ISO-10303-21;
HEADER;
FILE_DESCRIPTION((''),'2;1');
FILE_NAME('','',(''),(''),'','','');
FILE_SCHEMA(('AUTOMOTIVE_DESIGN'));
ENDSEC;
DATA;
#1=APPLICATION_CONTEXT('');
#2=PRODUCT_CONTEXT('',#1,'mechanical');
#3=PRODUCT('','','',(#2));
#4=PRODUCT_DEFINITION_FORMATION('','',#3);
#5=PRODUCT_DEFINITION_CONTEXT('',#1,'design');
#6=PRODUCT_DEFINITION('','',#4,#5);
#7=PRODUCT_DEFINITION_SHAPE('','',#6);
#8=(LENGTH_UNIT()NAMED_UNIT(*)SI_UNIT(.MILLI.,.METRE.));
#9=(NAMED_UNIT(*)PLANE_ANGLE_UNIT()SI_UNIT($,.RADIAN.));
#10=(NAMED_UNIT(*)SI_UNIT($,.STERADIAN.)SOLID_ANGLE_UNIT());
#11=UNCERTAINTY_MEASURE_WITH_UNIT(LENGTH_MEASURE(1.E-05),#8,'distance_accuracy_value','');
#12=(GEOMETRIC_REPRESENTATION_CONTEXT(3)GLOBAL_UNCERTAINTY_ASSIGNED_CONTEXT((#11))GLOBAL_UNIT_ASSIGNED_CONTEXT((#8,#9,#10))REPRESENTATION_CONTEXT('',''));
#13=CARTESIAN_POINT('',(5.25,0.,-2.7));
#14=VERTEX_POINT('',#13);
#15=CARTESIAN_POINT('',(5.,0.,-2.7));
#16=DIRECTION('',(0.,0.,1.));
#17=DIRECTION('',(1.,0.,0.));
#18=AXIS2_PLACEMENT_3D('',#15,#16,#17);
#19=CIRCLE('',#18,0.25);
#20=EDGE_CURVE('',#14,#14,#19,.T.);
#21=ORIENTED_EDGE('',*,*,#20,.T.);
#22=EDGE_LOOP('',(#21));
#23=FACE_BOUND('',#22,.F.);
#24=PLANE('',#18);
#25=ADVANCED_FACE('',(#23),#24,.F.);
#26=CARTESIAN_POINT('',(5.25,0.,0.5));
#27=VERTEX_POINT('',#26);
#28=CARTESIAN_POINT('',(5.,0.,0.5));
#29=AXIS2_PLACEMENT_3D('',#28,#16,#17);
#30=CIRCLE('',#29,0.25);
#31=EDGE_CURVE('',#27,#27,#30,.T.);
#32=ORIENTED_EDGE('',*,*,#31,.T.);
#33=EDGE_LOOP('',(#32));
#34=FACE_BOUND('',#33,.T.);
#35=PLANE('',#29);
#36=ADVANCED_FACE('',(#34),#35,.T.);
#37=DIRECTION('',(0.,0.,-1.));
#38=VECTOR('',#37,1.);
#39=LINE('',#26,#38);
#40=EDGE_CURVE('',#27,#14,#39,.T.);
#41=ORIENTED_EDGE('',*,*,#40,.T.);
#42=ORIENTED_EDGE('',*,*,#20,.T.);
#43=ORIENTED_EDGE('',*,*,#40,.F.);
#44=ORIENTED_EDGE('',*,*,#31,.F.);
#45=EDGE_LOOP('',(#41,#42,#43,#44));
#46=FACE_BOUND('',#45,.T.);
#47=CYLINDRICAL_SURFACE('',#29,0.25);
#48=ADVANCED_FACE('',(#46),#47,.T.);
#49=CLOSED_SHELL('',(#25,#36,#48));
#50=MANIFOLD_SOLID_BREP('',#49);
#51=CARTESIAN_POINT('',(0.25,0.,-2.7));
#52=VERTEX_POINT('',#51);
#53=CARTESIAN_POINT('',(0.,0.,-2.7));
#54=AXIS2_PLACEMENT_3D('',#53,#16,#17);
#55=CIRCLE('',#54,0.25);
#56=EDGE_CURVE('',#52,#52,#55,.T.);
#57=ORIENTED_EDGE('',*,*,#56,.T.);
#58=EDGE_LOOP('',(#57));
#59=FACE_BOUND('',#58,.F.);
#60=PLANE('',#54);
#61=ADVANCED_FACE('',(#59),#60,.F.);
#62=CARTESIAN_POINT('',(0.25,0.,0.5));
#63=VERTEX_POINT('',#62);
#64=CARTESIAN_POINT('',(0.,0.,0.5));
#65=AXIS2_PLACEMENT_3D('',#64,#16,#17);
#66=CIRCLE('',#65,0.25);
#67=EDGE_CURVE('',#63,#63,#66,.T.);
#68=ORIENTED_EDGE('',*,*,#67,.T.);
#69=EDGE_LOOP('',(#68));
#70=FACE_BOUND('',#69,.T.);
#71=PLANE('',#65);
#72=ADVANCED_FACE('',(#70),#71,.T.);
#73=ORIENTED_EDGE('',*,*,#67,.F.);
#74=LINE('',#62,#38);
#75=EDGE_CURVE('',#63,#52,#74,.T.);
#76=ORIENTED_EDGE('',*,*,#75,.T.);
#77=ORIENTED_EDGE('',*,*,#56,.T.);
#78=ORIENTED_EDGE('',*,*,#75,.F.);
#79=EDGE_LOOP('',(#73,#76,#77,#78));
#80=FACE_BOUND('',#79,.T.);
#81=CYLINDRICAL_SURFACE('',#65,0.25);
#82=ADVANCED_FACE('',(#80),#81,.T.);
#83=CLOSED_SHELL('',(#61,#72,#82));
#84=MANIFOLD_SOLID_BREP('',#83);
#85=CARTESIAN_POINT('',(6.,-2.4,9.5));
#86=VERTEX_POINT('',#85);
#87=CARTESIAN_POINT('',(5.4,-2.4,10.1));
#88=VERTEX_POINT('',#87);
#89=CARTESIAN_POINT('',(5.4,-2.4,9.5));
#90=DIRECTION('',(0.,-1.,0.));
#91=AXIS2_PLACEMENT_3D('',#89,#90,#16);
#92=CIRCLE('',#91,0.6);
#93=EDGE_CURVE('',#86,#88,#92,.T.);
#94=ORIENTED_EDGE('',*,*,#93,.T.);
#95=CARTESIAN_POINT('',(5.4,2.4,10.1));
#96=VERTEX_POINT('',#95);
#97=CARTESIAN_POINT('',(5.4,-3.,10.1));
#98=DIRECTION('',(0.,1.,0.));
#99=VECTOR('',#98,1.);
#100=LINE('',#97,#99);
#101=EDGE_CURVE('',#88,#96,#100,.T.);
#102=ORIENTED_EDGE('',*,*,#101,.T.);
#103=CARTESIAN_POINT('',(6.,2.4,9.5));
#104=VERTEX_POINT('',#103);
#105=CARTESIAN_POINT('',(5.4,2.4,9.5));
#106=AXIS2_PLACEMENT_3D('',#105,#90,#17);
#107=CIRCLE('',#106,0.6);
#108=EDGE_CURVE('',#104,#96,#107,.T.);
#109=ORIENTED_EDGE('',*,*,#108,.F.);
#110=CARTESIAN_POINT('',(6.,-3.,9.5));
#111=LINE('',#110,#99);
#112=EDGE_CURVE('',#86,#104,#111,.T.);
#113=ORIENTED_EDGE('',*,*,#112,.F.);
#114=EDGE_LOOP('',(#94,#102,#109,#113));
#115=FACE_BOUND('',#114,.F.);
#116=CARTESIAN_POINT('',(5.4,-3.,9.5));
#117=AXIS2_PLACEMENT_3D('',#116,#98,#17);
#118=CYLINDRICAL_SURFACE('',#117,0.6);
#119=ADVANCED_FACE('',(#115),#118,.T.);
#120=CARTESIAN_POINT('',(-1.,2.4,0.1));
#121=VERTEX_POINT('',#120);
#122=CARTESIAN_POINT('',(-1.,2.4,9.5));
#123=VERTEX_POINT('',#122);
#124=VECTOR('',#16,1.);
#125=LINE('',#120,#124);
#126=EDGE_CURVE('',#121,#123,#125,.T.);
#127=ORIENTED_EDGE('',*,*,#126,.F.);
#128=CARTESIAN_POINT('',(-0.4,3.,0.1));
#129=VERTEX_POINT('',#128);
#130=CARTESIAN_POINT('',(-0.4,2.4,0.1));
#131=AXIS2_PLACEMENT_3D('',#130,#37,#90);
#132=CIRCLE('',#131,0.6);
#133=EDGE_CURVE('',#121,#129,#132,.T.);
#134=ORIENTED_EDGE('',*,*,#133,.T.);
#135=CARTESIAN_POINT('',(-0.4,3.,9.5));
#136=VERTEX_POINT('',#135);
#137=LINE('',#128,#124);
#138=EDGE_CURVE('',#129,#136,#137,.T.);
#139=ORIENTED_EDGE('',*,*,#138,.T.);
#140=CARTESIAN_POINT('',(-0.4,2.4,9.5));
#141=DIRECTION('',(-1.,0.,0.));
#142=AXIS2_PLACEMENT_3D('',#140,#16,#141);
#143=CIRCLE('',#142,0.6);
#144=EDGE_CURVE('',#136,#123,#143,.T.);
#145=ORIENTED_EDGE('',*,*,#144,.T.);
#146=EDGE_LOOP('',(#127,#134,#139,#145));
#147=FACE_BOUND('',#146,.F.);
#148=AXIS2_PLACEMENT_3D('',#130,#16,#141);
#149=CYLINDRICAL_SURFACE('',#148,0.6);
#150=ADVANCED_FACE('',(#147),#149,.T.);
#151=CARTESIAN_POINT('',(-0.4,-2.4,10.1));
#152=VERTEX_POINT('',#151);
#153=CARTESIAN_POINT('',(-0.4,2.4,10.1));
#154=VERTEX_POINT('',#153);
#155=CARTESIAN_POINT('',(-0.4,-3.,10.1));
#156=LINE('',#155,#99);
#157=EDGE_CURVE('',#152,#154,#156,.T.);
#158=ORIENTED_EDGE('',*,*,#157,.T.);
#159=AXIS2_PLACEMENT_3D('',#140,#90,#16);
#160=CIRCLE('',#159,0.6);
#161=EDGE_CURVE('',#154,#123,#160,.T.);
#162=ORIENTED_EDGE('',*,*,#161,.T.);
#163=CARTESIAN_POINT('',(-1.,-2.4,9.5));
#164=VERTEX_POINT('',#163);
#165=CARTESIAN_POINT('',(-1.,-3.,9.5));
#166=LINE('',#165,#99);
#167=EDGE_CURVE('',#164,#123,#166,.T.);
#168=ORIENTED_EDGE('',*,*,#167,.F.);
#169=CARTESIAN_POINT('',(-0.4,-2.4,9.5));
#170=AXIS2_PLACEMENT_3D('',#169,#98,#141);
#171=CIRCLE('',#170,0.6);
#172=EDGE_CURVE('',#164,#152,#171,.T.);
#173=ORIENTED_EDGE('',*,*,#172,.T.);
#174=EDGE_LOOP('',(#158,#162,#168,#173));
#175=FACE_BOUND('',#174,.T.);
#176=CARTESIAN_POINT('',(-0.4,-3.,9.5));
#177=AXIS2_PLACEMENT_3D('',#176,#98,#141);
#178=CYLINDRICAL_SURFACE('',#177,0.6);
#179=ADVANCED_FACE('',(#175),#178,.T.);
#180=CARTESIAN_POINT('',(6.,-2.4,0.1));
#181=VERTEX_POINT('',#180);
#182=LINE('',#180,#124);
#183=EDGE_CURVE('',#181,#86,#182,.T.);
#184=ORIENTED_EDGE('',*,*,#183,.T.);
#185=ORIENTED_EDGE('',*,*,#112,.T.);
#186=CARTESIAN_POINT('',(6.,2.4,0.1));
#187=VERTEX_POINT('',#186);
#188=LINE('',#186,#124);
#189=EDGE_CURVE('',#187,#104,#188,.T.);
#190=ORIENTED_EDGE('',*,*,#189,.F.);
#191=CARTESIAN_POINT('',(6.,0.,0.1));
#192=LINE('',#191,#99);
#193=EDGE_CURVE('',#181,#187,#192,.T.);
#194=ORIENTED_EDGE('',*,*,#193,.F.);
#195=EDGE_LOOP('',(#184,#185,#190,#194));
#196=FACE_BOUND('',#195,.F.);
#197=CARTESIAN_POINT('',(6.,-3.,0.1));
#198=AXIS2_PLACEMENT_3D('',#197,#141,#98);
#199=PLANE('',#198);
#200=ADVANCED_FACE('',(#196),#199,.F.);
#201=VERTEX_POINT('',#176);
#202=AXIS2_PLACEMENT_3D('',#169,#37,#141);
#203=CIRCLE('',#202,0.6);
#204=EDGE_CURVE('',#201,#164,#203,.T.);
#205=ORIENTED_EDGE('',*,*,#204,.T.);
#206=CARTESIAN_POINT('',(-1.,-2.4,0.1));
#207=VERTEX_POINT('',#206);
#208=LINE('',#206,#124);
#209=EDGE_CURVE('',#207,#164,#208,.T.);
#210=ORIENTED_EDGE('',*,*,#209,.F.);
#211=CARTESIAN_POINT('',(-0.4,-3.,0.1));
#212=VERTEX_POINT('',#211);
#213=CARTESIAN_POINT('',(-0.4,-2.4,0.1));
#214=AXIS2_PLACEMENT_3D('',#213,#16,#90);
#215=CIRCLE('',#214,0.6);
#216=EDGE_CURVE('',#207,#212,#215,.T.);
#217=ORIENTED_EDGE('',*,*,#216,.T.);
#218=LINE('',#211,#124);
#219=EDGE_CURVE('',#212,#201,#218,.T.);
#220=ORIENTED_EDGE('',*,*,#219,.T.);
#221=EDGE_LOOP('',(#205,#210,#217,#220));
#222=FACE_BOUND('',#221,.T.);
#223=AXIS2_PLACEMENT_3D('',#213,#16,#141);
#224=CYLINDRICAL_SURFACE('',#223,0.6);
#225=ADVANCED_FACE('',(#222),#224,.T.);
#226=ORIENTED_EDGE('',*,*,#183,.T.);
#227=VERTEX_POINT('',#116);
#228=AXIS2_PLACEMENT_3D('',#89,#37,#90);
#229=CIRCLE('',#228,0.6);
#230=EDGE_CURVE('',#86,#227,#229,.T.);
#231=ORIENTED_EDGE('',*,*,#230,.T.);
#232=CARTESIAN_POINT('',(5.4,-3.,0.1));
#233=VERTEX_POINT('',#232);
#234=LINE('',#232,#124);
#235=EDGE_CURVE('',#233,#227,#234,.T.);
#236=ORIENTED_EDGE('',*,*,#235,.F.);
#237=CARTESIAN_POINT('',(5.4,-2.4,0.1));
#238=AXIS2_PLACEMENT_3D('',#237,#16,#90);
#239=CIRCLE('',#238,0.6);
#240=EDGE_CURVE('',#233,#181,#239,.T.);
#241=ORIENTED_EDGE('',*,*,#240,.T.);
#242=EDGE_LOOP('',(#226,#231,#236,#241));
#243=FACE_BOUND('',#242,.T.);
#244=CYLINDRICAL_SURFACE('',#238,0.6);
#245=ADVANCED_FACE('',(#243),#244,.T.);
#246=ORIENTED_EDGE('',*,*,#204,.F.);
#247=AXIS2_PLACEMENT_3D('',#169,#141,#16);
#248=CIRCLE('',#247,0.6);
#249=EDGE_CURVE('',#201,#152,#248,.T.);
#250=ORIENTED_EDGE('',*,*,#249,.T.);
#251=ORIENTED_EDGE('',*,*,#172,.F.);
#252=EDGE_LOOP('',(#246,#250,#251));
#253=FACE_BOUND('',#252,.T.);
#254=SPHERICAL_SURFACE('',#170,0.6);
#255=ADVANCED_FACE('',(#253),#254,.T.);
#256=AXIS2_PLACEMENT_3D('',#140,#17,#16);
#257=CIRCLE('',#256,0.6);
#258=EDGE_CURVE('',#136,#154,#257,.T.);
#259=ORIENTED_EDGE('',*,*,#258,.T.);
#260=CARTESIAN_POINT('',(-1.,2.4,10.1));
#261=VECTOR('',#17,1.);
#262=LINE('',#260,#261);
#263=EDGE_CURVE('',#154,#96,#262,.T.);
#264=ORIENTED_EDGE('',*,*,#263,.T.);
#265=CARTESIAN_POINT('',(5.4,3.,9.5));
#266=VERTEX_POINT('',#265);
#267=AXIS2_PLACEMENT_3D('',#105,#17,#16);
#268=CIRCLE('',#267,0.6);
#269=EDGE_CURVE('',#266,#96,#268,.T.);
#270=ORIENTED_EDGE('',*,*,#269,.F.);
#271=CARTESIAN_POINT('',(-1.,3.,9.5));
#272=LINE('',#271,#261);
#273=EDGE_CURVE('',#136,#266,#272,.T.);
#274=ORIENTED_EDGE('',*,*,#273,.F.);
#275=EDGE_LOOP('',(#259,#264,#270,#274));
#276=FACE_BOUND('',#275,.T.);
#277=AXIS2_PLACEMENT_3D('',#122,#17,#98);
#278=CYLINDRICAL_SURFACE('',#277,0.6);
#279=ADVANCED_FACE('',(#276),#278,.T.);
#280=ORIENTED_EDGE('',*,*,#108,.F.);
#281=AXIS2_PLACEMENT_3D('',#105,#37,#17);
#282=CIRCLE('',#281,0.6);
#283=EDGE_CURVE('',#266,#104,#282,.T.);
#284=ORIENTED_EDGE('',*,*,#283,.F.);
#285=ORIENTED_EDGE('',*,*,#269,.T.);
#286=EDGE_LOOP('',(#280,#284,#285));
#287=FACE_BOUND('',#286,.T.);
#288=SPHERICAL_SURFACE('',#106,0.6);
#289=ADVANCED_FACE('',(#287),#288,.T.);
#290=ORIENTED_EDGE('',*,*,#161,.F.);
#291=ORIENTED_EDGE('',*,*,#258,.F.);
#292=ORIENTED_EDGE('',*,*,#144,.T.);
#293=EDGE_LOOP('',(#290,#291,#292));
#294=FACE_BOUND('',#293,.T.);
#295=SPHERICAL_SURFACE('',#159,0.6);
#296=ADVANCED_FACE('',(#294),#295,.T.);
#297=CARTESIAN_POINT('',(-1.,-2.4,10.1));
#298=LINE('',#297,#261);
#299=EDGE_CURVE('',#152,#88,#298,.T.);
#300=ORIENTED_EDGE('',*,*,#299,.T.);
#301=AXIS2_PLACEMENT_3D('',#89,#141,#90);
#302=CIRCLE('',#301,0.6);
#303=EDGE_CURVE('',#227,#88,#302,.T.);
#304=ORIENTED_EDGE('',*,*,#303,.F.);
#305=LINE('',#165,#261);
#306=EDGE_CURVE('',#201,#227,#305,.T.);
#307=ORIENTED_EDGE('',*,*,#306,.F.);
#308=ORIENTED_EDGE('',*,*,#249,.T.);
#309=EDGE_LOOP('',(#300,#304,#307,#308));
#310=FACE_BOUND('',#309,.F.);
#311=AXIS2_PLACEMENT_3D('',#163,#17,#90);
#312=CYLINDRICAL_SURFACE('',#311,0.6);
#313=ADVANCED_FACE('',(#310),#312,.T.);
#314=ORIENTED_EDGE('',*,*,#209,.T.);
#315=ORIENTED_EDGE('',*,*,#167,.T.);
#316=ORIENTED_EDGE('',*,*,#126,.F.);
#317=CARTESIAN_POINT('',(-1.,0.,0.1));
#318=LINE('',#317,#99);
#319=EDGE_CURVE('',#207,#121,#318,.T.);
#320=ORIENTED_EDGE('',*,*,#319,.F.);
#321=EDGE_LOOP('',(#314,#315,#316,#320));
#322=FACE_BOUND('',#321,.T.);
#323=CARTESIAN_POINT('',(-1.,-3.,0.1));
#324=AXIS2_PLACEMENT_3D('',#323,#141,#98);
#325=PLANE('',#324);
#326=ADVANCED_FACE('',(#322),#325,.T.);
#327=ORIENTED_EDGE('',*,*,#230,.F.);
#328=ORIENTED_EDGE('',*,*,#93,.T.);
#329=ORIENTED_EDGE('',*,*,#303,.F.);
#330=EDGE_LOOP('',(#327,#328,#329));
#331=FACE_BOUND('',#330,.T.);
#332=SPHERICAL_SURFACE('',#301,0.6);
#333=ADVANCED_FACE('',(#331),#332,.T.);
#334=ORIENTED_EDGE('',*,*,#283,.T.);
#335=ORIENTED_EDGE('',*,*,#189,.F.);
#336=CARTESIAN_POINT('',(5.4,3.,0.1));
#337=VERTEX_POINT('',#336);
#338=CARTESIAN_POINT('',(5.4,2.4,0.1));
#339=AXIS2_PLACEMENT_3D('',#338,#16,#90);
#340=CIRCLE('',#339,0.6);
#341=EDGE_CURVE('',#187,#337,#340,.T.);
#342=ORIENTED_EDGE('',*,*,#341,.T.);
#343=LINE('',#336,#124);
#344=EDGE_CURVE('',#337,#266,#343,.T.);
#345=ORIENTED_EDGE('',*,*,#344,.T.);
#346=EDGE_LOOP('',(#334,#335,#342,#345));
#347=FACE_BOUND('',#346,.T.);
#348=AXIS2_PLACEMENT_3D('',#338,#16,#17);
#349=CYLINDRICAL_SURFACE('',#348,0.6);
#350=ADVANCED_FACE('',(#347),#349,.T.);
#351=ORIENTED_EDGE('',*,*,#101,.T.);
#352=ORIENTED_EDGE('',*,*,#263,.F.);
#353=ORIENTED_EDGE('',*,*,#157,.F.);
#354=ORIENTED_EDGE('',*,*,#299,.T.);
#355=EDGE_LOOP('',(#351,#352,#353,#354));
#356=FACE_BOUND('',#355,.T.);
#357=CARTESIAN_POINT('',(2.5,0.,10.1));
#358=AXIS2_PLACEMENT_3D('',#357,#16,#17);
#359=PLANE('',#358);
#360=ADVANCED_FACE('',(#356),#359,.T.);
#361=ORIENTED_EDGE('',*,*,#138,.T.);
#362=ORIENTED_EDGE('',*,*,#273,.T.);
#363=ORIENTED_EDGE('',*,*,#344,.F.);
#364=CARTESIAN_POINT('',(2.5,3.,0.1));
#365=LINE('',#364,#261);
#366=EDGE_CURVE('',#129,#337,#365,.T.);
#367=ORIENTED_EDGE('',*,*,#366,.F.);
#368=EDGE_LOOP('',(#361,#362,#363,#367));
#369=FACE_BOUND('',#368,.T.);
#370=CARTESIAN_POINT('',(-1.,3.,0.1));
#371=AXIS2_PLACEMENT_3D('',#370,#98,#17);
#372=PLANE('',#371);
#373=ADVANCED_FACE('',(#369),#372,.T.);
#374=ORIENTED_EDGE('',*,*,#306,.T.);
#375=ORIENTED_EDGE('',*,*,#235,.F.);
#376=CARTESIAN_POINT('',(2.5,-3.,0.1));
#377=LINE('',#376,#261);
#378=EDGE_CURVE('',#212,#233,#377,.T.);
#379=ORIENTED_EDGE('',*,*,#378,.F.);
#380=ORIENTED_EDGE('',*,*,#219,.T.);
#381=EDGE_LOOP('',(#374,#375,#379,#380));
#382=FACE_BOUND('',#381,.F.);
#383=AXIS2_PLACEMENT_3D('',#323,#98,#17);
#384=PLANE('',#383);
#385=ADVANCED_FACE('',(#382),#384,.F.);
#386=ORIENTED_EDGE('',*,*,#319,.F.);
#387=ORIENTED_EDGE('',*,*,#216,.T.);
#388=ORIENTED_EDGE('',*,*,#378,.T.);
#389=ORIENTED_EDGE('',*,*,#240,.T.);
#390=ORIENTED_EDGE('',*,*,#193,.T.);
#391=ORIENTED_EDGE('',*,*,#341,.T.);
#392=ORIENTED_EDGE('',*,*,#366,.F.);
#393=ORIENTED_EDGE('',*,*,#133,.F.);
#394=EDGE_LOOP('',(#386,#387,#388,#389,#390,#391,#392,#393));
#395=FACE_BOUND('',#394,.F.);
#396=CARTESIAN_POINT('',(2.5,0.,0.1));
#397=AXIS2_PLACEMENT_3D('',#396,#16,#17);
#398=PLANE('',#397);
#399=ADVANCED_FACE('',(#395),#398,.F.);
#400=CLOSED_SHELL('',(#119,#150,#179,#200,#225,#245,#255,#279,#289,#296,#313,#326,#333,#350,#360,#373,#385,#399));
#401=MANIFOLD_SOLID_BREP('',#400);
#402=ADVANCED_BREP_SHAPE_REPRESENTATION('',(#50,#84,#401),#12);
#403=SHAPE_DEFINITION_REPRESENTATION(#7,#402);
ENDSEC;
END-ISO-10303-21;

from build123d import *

# Parameters (mm, degrees)
SKETCH_W     = 7
SKETCH_H     = 6
PAD_DEPTH    = 10
FILLET_R     = 0.6
SKETCH001_R  = 0.25
PAD001_DEPTH = 3.2


with BuildPart() as fillet_body:
    # Sketch → Pad (new body)
    with BuildSketch(Plane.XY.offset(0.1)):
        with Locations((2.5, 0)):
            Rectangle(SKETCH_W, SKETCH_H)
    extrude(amount=PAD_DEPTH)

    # Fillet
    fillet_edges = [fillet_body.edges().sort_by_distance(p)[0] for p in [
        (-1, 0, 10.1),
        (-1, -3, 5.1),
        (2.5, -3, 10.1),
        (6, -3, 5.1),
        (6, 0, 10.1),
        (6, 3, 5.1),
        (2.5, 3, 10.1),
        (-1, 3, 5.1),
    ]]
    fillet(fillet_edges, radius=FILLET_R)


with BuildPart() as pad001:
    # Sketch001 → Pad001 (new body)
    with BuildSketch(Plane.XY.offset(0.5)):
        Circle(SKETCH001_R)
        with Locations((5, 0)):
            Circle(SKETCH001_R)
    extrude(amount=-PAD001_DEPTH)


solid = Compound([fillet_body.part, pad001.part])
